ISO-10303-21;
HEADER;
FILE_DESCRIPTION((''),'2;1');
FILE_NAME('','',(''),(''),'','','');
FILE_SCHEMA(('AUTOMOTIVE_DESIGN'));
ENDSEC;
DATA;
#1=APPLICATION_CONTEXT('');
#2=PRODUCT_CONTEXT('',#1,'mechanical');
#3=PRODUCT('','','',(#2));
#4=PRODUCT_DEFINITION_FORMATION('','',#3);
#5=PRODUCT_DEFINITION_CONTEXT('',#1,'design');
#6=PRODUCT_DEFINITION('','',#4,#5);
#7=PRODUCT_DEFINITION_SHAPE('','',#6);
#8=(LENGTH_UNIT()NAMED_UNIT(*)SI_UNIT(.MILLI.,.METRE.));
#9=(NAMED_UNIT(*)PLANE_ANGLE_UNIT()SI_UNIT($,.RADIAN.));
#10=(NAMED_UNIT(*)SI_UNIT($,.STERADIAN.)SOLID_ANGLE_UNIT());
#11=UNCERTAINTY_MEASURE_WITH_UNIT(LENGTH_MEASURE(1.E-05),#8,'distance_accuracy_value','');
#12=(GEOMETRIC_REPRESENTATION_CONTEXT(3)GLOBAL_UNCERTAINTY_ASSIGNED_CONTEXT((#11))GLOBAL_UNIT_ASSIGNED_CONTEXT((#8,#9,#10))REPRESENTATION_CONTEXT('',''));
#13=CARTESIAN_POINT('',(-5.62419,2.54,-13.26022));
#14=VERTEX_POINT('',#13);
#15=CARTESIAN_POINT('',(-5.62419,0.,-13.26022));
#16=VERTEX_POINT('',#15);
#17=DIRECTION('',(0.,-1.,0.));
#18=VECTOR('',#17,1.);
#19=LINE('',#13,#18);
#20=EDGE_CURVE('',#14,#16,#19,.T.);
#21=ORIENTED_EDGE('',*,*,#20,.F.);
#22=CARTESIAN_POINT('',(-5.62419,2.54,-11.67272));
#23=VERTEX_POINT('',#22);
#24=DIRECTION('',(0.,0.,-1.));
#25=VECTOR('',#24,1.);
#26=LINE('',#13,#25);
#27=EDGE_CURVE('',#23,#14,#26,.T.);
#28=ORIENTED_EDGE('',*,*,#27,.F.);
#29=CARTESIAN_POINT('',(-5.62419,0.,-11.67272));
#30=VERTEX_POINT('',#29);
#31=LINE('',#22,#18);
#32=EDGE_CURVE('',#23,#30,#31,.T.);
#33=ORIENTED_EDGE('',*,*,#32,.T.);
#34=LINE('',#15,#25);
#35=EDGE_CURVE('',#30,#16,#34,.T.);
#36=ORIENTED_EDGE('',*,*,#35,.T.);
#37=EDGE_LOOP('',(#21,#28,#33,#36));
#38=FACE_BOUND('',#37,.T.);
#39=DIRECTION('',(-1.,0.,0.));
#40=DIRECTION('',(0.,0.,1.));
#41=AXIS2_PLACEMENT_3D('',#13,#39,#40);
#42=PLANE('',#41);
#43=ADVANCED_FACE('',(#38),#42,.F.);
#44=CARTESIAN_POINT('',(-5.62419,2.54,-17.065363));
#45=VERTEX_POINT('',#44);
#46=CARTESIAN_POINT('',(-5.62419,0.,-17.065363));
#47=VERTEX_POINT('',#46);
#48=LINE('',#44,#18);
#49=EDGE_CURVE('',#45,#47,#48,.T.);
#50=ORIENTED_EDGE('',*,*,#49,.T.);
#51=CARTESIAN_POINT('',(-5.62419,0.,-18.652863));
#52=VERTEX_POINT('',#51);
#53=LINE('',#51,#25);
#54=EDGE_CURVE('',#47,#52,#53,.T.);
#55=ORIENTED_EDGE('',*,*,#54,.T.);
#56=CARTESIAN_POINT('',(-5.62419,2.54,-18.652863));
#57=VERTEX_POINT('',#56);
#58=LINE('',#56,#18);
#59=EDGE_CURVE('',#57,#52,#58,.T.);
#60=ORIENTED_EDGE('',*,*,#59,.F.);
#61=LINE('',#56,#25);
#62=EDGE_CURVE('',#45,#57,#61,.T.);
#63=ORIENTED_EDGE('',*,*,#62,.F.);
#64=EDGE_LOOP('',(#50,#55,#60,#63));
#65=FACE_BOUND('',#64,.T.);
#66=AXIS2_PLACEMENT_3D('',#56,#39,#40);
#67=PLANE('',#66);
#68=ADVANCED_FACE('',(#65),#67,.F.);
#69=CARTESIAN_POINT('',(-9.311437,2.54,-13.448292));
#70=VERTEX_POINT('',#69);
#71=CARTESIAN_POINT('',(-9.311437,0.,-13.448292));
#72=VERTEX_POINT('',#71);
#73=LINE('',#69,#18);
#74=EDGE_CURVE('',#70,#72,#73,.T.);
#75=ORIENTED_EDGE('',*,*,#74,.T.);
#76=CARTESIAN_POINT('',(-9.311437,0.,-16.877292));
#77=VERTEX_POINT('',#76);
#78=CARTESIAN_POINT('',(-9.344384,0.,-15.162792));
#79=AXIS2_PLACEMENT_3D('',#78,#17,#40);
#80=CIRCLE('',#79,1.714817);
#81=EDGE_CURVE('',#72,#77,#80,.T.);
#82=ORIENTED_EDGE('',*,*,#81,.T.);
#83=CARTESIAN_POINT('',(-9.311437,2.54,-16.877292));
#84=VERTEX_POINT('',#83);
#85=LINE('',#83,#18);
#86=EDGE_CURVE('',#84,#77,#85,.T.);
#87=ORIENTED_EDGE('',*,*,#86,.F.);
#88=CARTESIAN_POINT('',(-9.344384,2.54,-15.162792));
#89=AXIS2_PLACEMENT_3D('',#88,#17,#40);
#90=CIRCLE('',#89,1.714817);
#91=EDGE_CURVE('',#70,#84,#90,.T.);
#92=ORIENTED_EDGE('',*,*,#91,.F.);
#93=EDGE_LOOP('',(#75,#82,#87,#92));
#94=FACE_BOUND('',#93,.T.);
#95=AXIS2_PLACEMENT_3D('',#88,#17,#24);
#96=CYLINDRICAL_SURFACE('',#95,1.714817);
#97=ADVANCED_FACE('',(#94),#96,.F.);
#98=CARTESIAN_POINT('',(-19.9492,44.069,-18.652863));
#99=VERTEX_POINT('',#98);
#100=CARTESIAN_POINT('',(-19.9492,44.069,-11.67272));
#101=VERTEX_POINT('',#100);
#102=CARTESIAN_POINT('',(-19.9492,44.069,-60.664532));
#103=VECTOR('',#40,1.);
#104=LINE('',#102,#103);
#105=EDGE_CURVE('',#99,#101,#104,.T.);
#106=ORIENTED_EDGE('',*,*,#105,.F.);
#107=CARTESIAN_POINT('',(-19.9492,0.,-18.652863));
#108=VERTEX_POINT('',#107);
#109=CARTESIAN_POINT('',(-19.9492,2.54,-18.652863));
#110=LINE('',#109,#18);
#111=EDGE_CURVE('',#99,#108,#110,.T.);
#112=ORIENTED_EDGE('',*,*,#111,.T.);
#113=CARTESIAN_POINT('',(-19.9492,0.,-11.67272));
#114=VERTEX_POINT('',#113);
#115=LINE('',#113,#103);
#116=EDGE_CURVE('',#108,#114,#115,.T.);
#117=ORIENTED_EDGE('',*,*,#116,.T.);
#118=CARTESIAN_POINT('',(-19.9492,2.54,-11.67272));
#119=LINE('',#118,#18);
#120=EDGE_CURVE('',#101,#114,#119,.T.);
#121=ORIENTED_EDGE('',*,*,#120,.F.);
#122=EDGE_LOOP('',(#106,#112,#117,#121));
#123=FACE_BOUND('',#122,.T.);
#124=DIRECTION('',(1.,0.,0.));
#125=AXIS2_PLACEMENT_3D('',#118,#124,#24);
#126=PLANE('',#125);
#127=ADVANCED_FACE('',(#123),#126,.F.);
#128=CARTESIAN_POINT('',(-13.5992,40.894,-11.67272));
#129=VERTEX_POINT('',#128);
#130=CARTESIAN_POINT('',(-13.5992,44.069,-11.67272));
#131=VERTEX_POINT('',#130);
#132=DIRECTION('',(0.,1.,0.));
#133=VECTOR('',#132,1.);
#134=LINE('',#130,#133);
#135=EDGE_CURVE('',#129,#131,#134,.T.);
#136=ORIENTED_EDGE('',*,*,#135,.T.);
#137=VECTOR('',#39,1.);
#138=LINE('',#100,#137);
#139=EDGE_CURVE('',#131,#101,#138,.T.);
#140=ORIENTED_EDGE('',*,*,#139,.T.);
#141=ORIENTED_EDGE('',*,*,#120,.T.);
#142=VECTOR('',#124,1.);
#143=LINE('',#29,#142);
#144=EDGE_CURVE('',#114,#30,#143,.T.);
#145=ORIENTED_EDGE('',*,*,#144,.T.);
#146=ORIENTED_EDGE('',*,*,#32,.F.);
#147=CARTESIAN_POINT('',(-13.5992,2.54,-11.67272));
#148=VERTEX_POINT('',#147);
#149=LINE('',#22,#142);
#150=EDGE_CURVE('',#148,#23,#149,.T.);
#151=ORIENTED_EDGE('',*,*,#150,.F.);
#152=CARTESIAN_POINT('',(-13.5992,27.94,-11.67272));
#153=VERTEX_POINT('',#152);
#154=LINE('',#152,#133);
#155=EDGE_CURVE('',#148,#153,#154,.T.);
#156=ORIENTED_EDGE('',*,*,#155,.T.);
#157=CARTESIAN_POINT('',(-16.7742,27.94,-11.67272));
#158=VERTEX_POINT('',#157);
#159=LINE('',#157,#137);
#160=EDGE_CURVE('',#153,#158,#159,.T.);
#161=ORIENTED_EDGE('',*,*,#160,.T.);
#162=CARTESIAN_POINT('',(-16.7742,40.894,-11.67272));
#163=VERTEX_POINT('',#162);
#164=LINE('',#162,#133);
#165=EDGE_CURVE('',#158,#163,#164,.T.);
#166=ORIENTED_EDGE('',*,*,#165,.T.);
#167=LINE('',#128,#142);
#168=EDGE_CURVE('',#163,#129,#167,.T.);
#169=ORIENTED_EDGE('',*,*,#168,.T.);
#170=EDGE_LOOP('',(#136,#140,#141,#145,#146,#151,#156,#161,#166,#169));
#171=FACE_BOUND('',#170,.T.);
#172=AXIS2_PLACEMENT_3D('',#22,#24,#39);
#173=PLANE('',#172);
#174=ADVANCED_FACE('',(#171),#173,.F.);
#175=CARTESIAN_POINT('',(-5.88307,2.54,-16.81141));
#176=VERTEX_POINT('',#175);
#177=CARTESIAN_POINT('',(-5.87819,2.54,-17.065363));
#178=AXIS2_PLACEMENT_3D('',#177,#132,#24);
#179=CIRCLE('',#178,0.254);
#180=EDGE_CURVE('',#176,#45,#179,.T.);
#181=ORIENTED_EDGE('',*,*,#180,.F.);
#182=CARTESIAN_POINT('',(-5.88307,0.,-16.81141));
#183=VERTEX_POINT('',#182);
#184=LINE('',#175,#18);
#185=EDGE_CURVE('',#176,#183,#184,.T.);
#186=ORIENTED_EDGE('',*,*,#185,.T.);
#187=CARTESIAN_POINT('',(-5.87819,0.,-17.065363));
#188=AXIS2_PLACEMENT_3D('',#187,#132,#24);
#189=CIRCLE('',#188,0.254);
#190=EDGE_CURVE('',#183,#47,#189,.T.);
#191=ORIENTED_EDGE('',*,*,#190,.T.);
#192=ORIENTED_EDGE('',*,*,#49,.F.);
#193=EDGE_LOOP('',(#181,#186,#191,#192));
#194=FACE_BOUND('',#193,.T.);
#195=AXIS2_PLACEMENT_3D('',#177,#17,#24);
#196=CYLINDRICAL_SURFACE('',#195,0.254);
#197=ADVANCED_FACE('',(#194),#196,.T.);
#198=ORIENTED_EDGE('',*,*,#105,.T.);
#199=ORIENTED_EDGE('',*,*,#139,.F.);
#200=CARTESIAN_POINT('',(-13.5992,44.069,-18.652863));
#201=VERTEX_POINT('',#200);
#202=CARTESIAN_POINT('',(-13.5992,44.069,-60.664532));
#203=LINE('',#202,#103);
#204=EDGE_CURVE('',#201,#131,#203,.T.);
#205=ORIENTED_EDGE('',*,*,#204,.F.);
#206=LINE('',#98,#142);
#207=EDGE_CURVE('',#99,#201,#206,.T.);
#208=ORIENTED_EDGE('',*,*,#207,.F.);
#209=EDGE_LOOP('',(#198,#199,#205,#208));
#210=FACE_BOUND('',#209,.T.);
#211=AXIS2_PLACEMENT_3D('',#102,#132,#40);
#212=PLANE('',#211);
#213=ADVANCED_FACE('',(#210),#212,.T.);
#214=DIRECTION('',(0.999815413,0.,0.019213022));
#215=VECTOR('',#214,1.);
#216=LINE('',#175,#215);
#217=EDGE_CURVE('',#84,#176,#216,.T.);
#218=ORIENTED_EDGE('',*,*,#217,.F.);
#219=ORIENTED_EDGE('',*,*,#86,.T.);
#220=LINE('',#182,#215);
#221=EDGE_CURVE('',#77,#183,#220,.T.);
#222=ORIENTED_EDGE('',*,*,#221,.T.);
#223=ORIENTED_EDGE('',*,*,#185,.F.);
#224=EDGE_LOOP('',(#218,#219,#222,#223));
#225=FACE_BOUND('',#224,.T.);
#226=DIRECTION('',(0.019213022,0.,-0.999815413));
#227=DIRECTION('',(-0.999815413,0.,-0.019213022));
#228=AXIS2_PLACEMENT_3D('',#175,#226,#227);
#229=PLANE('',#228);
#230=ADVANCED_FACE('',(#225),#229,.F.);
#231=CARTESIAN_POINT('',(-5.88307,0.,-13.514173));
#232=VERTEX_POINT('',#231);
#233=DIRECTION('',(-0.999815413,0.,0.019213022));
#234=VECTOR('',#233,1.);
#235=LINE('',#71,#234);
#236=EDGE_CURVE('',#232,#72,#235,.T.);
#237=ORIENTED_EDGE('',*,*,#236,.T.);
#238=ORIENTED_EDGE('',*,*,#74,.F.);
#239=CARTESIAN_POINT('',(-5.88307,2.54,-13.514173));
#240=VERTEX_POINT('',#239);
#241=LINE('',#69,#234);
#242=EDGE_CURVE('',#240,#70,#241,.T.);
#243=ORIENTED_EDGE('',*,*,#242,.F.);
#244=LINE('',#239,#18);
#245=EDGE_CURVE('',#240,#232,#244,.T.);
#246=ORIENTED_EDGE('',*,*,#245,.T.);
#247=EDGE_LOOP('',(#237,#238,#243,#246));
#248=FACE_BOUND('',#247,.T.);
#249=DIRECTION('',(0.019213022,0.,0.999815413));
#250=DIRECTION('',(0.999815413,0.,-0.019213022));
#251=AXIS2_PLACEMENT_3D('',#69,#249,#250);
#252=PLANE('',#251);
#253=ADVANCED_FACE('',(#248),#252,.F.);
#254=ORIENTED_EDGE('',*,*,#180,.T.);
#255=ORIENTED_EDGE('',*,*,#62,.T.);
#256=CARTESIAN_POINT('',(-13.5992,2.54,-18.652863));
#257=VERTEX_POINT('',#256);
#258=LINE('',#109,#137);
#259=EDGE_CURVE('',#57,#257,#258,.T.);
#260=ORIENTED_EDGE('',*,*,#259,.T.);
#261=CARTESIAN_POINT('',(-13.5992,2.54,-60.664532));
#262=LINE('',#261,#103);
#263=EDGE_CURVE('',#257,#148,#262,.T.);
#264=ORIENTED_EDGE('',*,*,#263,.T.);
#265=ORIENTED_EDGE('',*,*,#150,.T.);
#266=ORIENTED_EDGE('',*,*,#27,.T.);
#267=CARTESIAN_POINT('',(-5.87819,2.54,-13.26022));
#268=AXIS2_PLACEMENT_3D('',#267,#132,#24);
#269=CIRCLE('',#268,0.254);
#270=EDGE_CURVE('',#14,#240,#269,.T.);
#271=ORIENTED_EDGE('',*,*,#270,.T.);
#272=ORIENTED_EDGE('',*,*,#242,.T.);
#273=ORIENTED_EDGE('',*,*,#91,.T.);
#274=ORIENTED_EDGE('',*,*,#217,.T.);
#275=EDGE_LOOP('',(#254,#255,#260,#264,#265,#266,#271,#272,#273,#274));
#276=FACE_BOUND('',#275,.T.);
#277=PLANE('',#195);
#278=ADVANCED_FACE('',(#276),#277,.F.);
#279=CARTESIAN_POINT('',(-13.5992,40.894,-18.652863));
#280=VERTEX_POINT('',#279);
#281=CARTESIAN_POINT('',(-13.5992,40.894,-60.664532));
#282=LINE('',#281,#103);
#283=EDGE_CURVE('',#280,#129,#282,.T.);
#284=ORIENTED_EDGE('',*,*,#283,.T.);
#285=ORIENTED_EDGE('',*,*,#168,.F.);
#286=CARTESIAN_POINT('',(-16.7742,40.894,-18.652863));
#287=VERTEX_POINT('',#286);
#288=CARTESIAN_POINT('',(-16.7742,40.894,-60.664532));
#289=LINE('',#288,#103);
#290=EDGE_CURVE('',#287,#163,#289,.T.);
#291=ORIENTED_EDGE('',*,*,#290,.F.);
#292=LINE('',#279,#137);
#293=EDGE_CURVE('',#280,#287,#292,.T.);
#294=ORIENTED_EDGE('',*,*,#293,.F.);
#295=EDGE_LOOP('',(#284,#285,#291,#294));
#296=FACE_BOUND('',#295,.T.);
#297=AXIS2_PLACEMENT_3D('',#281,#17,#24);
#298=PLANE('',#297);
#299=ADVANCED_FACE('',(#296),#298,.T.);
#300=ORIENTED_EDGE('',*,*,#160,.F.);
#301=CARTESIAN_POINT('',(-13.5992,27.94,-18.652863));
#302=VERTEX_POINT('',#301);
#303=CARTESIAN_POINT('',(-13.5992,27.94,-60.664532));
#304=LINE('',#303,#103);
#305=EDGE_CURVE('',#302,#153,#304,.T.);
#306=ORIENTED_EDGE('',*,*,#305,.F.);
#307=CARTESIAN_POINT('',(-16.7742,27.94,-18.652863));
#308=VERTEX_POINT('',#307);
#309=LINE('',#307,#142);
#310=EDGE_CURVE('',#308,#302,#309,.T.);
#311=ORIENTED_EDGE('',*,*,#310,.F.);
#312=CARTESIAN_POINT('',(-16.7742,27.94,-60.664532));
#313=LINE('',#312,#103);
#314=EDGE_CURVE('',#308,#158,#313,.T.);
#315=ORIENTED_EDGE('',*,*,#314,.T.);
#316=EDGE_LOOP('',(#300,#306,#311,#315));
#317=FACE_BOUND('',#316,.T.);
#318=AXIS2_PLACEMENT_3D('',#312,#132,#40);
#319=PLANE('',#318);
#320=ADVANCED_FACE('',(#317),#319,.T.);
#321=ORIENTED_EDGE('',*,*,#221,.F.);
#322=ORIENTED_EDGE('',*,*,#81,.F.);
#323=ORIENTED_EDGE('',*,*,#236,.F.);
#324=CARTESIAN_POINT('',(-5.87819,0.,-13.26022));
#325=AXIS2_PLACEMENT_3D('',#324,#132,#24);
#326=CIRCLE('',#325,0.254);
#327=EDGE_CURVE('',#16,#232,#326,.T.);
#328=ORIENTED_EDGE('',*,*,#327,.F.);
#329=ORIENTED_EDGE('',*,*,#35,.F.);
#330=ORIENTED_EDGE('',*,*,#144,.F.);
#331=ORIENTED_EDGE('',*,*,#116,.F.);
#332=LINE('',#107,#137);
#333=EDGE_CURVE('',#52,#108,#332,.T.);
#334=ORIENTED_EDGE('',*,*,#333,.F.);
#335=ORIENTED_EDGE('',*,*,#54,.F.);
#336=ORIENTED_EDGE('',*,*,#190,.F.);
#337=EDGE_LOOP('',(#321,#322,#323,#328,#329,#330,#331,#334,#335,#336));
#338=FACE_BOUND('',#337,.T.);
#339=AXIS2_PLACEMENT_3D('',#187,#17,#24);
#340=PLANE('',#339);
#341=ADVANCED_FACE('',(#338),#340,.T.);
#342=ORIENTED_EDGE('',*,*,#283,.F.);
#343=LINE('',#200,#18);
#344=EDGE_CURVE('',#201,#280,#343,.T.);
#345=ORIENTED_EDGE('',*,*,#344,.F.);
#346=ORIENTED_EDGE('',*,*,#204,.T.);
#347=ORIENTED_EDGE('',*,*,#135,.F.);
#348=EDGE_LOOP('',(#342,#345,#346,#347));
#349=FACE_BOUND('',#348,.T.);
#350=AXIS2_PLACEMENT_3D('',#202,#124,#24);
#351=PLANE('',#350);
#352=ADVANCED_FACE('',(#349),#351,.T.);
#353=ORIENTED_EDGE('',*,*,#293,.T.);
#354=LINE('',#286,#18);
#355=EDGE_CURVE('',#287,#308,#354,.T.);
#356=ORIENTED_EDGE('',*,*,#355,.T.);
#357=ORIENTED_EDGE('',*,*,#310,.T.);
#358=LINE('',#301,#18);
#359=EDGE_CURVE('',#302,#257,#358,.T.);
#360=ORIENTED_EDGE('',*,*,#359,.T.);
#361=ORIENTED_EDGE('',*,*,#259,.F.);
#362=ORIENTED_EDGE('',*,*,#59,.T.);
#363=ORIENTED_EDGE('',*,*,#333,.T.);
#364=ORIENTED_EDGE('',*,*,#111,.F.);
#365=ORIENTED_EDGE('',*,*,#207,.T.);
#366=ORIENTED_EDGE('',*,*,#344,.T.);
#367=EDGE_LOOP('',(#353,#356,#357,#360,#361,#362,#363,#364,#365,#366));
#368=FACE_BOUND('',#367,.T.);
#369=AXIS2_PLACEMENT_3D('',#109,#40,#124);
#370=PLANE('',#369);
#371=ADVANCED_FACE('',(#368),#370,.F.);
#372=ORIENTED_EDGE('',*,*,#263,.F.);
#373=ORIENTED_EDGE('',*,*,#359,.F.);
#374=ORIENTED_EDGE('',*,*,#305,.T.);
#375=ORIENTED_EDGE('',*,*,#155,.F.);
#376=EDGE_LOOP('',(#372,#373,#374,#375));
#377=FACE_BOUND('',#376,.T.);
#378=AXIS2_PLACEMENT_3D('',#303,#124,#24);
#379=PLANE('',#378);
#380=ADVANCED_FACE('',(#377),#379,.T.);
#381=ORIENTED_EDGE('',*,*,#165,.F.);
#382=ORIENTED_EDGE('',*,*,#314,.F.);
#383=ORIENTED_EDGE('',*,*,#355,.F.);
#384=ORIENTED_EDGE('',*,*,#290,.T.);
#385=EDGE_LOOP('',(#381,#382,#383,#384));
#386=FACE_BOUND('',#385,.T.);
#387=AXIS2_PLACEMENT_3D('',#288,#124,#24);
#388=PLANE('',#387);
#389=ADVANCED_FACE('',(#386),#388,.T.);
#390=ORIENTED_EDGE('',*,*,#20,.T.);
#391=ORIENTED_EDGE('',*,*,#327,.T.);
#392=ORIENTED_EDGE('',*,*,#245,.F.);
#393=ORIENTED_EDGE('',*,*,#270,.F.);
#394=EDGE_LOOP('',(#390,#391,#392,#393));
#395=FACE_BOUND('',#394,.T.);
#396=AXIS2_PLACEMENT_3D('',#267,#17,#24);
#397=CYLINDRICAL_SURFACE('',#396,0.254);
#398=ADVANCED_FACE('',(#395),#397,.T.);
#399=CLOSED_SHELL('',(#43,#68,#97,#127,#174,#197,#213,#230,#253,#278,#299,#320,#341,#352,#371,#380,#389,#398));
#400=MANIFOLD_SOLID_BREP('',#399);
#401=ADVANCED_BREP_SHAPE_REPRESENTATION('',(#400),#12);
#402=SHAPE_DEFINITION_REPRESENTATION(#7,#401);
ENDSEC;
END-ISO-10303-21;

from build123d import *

# Parameters (mm, degrees)
SCREWHOOK_DEPTH        = 2.54
SPACERANDTOPHOOK_DEPTH = 6.980143326


with BuildPart() as part:
    # Sketch1 → ScrewHook (new body)
    with BuildSketch(Plane(origin=(0, 0, 0), x_dir=(1, 0, 0), z_dir=(0, 1, 0))):
        with BuildLine():
            Line((-5.624189629, 11.672719973), (-19.949200128, 11.672719973))
            Line((-19.949200128, 11.672719973), (-19.949200128, 18.652863299))
            Line((-19.949200128, 18.652863299), (-5.624189629, 18.652863299))
            Line((-5.624189629, 18.652863299), (-5.624189629, 17.065363299))
            ThreePointArc((-5.624189629, 17.065363299), (-5.700318254, 16.884041007), (-5.883069737, 16.811410184))
            Line((-5.883069737, 16.811410184), (-9.311436788, 16.877291636))
            ThreePointArc((-9.311436788, 16.877291636), (-11.059200128, 15.162791636), (-9.311436788, 13.448291636))
            Line((-9.311436788, 13.448291636), (-5.883069737, 13.514173088))
            ThreePointArc((-5.883069737, 13.514173088), (-5.700318254, 13.441542265), (-5.624189629, 13.260219973))
            Line((-5.624189629, 13.260219973), (-5.624189629, 11.672719973))
        make_face()
    extrude(amount=SCREWHOOK_DEPTH)

    # Sketch3 → SpacerAndTopHook (add)
    with BuildSketch(Plane.XY.offset(-11.672719973)):
        Polygon((-19.949200128, 2.54), (-19.949200128, 44.069), (-13.599200128, 44.069), (-13.599200128, 40.894), (-16.774200128, 40.894), (-16.774200128, 27.94), (-13.599200128, 27.94), (-13.599200128, 2.54), align=None)
    extrude(amount=-SPACERANDTOPHOOK_DEPTH)


solid = part.part
